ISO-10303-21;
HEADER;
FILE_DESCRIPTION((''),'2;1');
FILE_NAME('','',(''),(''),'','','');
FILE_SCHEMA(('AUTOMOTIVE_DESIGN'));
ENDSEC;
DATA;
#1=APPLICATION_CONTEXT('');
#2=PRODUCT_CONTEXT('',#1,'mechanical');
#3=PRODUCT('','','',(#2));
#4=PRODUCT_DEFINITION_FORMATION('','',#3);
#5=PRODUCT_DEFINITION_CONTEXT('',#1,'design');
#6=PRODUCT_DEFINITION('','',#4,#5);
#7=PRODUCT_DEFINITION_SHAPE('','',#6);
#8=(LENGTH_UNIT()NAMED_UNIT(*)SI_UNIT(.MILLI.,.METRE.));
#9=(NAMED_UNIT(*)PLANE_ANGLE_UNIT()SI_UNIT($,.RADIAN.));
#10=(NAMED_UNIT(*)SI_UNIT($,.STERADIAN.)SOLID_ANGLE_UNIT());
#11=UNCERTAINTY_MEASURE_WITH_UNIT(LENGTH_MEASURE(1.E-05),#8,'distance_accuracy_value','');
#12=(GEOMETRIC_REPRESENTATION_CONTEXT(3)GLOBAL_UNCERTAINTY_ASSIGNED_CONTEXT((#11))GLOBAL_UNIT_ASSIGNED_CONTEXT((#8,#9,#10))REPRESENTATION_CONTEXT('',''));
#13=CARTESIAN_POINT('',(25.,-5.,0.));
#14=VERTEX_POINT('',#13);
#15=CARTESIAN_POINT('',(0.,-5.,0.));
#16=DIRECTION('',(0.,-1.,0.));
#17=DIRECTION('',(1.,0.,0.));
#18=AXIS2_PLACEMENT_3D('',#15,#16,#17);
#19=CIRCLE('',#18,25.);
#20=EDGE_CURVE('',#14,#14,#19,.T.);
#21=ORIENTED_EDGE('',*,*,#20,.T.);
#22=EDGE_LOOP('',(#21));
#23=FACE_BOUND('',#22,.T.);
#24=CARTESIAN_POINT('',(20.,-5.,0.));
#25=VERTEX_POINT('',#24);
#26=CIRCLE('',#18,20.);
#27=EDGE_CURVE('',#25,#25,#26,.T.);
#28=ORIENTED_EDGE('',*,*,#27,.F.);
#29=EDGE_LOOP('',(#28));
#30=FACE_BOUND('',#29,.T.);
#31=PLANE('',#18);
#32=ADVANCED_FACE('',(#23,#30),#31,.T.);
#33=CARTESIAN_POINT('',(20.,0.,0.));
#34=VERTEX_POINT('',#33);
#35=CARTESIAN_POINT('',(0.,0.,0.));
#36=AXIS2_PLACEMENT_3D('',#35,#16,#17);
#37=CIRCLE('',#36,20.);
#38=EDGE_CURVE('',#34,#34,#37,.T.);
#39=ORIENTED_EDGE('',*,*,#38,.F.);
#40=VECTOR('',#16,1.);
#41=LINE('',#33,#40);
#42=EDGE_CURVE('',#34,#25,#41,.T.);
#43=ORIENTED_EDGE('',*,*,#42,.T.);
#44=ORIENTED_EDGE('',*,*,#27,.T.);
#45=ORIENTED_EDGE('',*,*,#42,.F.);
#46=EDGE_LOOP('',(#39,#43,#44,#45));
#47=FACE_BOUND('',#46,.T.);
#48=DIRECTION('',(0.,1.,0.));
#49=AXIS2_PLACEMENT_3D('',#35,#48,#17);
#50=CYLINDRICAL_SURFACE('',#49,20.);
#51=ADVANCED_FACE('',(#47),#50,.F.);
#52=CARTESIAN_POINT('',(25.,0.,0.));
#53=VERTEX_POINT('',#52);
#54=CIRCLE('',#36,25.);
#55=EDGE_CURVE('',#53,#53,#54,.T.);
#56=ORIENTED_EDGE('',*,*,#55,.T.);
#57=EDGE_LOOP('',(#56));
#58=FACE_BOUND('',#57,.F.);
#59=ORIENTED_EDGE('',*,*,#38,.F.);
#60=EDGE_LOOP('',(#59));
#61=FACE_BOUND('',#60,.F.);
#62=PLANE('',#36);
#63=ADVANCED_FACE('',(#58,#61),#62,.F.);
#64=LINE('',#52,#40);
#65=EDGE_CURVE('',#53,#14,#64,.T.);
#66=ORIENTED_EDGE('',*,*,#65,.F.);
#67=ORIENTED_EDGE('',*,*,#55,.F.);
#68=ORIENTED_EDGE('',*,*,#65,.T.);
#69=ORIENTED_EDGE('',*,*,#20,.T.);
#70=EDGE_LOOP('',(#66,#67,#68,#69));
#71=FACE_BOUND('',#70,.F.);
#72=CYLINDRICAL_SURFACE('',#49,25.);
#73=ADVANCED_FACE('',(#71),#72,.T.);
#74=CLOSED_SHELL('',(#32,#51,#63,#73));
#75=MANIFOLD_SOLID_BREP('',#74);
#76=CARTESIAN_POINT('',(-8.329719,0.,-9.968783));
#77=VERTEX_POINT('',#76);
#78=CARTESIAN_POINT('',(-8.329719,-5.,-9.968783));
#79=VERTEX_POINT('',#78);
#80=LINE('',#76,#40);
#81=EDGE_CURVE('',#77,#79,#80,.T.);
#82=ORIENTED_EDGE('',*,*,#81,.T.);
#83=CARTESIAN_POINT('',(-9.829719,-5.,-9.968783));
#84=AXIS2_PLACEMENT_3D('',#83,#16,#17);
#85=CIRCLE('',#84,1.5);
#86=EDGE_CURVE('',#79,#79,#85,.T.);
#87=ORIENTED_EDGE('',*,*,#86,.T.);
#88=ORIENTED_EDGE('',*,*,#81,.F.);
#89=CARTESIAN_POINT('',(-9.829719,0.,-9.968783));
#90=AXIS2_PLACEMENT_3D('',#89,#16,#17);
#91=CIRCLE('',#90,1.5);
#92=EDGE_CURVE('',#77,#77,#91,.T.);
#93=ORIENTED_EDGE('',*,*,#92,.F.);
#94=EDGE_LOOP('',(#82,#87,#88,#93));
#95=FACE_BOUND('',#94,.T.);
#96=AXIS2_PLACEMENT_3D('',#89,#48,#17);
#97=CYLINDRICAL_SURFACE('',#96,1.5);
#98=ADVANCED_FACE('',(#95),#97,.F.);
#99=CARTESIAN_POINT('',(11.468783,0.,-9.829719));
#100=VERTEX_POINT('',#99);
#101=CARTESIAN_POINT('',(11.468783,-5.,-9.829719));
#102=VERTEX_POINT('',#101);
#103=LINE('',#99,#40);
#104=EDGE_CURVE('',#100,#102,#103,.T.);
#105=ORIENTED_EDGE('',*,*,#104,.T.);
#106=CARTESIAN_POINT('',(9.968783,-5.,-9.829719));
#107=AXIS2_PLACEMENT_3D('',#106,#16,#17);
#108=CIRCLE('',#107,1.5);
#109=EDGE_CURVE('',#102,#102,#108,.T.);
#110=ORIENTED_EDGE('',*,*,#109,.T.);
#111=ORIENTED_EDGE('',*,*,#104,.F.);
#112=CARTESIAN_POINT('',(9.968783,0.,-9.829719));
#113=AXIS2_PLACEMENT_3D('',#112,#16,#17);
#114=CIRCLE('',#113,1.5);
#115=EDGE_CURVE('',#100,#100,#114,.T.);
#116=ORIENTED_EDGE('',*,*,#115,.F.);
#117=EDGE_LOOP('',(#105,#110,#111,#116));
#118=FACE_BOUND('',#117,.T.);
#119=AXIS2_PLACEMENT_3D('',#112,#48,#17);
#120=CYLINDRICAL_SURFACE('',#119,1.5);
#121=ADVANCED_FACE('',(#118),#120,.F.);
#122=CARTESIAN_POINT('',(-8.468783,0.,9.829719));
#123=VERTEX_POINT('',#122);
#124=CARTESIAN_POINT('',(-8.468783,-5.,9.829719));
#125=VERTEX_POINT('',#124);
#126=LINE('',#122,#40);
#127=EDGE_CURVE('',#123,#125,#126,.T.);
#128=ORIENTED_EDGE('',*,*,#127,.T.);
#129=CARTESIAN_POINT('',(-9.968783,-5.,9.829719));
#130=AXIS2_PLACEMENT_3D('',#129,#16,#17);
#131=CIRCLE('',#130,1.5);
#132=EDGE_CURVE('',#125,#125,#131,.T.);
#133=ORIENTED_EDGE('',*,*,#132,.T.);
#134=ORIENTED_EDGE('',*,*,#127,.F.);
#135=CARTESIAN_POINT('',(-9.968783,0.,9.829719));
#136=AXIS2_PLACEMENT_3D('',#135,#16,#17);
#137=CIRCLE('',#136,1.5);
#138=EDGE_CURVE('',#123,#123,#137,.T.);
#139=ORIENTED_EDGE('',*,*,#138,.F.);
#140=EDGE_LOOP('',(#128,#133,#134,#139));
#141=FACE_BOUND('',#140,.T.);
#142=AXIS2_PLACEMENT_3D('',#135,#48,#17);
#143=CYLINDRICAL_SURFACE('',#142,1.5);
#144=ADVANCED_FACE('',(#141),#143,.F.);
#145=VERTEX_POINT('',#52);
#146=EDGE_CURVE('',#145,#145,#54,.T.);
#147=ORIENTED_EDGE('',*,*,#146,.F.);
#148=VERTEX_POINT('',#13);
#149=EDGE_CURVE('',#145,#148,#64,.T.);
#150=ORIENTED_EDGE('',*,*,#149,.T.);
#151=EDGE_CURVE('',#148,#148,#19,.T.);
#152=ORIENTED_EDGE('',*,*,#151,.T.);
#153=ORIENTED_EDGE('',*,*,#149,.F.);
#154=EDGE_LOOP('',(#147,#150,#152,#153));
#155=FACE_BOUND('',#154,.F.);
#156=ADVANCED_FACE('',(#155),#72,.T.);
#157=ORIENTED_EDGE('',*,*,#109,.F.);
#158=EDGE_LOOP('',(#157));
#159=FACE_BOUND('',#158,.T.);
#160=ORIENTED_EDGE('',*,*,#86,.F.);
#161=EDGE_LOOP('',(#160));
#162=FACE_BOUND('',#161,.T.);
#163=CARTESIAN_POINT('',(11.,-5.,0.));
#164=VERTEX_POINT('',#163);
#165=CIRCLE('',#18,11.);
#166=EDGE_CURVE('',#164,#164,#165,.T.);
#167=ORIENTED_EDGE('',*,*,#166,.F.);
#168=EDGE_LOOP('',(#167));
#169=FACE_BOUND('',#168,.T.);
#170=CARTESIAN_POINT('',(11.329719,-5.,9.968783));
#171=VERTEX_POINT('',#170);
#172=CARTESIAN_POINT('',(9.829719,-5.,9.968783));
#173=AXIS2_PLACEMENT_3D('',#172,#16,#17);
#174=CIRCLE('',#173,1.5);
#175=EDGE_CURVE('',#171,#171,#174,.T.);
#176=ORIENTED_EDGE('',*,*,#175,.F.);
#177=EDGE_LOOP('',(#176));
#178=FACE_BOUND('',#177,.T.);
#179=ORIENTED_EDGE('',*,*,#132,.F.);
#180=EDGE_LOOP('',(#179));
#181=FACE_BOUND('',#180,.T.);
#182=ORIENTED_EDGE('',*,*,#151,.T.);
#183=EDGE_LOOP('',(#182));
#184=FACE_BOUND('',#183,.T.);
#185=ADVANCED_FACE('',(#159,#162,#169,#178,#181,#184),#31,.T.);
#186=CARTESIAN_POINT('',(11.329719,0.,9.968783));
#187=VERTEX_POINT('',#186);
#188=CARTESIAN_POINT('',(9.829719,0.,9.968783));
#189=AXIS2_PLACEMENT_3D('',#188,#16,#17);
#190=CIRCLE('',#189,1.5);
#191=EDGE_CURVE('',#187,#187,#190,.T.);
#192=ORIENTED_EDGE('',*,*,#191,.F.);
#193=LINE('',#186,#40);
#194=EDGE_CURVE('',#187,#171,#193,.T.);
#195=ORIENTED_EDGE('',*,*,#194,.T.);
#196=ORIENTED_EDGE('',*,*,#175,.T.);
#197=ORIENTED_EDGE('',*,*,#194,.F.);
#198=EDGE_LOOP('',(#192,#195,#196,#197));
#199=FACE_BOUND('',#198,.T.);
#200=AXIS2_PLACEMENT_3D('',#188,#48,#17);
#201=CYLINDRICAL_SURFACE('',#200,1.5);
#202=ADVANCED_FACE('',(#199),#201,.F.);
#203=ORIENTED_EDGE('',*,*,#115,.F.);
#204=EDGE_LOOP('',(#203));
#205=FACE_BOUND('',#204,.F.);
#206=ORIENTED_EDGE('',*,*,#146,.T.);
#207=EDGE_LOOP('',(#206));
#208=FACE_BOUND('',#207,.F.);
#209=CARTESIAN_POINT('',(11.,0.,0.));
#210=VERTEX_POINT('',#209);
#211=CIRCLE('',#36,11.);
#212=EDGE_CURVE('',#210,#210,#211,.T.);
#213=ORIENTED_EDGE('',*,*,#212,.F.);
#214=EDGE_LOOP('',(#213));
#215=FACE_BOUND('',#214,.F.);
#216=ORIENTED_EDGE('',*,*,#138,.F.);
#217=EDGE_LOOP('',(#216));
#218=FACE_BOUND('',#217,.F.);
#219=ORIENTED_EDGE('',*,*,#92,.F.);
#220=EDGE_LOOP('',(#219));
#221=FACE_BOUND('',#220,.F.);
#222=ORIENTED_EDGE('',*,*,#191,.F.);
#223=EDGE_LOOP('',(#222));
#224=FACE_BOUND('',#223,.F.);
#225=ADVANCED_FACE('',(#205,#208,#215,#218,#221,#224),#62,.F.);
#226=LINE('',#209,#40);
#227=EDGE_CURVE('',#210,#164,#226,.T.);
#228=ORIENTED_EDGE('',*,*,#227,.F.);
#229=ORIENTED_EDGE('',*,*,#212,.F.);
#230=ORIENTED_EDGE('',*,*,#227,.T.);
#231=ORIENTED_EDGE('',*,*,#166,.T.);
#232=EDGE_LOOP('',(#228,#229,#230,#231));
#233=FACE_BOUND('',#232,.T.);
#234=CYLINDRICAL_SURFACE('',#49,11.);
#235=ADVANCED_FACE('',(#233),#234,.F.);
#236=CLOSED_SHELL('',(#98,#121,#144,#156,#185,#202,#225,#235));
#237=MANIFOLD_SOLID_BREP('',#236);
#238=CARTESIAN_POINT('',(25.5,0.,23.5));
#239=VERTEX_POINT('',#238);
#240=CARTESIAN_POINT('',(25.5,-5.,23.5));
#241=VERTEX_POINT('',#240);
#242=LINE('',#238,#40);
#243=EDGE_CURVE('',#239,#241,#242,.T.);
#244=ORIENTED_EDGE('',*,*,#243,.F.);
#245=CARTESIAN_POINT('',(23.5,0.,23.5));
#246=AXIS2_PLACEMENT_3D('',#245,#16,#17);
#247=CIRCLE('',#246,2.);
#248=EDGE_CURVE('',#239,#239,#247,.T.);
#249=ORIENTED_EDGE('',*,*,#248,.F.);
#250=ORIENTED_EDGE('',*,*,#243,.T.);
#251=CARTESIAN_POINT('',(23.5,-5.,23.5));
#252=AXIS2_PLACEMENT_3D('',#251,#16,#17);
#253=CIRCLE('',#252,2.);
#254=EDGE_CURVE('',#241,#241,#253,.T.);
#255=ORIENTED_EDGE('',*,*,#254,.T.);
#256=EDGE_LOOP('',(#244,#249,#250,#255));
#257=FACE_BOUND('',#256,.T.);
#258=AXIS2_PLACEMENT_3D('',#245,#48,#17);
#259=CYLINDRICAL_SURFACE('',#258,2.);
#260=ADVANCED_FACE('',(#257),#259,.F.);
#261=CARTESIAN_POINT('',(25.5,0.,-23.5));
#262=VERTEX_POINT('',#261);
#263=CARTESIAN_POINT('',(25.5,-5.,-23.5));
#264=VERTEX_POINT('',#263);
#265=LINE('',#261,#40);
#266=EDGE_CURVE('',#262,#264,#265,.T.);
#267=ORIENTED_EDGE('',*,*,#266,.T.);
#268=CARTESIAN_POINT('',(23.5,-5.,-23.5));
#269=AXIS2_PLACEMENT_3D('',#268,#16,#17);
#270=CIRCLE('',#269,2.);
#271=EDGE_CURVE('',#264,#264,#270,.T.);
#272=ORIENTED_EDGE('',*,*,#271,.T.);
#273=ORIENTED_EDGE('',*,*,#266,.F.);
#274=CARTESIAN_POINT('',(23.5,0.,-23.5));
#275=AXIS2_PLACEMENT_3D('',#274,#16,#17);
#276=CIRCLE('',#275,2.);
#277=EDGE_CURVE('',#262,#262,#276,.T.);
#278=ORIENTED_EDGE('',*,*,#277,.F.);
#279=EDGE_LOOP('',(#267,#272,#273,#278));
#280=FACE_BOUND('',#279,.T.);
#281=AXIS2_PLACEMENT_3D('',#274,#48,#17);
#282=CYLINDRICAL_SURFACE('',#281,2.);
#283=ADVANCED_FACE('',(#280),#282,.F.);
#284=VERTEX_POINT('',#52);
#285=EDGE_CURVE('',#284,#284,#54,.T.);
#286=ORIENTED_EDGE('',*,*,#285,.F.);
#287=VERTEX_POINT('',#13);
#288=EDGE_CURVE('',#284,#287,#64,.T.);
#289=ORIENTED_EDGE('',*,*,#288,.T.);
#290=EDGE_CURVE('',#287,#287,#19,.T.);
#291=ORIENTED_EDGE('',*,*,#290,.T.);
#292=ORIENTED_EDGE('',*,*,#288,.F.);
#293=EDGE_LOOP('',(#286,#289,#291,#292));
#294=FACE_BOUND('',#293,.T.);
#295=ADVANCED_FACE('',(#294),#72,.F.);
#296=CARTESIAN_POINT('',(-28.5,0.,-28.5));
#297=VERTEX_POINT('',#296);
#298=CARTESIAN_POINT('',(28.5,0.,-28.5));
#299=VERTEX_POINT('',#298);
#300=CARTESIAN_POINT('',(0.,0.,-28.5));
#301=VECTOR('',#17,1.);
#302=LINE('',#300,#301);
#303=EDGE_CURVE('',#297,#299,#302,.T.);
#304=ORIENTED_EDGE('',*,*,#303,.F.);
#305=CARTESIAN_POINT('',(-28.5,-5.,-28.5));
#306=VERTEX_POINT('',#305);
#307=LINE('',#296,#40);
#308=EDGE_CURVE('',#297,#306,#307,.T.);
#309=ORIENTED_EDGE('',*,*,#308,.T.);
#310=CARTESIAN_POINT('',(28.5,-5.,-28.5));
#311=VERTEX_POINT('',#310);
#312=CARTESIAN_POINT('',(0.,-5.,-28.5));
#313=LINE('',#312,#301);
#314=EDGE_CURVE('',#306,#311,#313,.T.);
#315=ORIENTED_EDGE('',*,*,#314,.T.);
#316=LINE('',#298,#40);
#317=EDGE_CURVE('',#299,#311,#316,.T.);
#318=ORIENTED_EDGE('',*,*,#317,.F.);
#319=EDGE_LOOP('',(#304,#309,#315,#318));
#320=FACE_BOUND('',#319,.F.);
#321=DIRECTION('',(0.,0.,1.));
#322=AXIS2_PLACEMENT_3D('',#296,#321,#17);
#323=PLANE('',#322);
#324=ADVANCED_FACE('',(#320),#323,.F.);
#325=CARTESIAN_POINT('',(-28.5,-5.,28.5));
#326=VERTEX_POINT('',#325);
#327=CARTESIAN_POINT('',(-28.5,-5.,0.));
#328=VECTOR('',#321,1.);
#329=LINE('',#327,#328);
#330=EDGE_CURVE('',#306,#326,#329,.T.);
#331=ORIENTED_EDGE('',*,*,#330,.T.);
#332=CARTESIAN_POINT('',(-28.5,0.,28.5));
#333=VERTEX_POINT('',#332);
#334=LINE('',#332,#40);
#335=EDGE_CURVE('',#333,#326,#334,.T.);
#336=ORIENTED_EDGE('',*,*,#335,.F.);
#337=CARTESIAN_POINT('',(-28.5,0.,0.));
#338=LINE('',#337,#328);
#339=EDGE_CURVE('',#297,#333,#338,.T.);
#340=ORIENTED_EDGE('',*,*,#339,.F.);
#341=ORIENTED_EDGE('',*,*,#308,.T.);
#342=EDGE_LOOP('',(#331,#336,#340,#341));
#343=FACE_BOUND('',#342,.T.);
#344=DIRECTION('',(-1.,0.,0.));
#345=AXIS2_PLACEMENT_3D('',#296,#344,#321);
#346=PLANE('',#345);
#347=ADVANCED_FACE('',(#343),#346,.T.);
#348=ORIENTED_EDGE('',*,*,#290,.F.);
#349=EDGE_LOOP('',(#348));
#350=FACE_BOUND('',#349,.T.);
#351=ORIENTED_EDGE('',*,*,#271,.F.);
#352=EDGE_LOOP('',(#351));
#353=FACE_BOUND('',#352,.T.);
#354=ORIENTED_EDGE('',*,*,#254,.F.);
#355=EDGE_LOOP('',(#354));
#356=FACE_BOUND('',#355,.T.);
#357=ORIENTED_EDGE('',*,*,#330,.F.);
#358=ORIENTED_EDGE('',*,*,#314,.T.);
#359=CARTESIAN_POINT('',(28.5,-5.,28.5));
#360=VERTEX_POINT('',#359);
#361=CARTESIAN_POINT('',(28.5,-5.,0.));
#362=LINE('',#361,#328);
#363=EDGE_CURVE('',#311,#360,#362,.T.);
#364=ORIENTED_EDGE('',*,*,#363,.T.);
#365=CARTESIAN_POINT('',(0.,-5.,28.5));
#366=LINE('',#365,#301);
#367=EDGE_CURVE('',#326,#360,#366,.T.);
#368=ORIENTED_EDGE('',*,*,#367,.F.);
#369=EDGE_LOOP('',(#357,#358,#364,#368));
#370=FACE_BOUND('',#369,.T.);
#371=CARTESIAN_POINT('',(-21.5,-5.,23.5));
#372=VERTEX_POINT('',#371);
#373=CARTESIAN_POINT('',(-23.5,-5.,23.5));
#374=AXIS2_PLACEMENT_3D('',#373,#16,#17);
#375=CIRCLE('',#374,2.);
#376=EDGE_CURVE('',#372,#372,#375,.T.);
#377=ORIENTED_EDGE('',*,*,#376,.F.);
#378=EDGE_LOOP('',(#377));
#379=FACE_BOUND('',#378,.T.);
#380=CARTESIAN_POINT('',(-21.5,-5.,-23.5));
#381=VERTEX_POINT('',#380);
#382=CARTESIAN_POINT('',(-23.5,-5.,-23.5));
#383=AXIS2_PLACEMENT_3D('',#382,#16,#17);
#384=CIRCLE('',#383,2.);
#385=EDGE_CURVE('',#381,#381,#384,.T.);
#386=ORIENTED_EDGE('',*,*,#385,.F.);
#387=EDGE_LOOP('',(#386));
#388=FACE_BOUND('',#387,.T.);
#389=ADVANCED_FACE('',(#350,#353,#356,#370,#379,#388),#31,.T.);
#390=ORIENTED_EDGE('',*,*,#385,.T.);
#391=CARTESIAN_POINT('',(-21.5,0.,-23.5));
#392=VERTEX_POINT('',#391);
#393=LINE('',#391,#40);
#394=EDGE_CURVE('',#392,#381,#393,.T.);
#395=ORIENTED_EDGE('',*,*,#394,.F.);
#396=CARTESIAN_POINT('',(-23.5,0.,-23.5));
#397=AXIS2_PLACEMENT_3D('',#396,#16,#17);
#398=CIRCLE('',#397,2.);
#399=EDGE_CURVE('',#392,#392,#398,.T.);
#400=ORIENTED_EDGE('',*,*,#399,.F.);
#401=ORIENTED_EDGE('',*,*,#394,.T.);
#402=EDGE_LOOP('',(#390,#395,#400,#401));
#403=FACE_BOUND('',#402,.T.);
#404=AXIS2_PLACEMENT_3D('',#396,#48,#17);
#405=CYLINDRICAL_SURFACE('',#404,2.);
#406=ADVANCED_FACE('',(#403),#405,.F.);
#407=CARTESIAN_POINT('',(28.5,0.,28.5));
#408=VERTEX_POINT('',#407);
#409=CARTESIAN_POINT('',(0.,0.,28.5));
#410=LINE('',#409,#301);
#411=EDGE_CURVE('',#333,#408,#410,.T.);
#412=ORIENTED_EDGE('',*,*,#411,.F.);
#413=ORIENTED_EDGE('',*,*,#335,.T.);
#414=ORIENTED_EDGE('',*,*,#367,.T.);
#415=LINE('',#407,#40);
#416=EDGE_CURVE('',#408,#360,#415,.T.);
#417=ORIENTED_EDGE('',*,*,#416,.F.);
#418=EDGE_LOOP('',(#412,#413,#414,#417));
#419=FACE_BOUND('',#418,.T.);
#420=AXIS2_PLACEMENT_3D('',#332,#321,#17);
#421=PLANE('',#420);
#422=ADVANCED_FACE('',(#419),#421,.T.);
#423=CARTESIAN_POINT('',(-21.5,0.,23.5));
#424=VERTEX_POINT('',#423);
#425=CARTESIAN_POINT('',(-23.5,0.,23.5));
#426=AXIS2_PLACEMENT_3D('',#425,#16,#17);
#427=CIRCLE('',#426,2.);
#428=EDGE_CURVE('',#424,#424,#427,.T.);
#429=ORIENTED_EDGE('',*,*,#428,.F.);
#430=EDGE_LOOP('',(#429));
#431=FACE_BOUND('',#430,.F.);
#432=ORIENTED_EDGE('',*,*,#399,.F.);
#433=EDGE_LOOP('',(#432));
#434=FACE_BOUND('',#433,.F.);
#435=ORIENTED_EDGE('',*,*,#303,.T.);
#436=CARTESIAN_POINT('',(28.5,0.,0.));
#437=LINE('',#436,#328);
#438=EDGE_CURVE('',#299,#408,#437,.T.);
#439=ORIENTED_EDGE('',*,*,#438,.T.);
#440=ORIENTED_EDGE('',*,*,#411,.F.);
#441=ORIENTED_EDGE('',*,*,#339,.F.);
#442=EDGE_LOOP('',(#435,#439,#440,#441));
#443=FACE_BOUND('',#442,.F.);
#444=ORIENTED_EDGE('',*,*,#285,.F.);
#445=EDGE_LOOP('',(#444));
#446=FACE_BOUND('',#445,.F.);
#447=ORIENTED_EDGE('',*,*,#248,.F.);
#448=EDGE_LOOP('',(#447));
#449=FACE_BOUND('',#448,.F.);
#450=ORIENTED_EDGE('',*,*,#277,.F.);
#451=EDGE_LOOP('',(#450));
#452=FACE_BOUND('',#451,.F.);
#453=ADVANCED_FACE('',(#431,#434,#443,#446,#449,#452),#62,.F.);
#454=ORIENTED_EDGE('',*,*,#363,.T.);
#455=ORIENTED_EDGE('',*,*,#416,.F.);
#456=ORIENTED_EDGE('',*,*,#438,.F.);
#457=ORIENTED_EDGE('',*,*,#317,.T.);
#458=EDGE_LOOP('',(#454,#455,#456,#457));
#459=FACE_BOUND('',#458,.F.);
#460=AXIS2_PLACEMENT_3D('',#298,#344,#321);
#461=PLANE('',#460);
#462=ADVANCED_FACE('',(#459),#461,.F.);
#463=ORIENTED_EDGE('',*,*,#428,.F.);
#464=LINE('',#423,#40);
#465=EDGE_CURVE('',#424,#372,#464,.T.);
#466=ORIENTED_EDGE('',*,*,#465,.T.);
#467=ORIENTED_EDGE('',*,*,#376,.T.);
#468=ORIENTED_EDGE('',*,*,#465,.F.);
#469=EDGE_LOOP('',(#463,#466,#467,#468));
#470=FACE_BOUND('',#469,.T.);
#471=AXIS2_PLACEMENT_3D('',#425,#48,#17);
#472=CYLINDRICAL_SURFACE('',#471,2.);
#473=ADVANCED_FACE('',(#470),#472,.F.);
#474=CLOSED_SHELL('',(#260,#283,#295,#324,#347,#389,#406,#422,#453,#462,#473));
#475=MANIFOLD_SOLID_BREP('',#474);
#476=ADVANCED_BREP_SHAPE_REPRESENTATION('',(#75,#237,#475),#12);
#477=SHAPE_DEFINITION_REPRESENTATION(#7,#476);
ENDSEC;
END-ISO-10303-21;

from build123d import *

# Parameters (mm, degrees)
F0_W     = 57
F0_H     = 57
F0_R     = 2
F0_R_2   = 25
F1_DEPTH = 5
F0_R_3   = 20
F2_DEPTH = 5
F0_R_4   = 1.5
F0_R_5   = 11
F3_DEPTH = 5


with BuildPart() as f1:
    # F0 (on Front) → F1 (new body)
    with BuildSketch(Plane.XZ):
        Rectangle(F0_W, F0_H)
        with Locations((-23.5, -23.5)):
            Circle(F0_R, mode=Mode.SUBTRACT)
        with Locations((23.5, -23.5)):
            Circle(F0_R, mode=Mode.SUBTRACT)
        with Locations((-23.5, 23.5)):
            Circle(F0_R, mode=Mode.SUBTRACT)
        Circle(F0_R_2, mode=Mode.SUBTRACT)
        with Locations((23.5, 23.5)):
            Circle(F0_R, mode=Mode.SUBTRACT)
    extrude(amount=F1_DEPTH)


with BuildPart() as f2:
    # F0 (on Front) → F2 (new body)
    with BuildSketch(Plane.XZ):
        Circle(F0_R_2)
        Circle(F0_R_3, mode=Mode.SUBTRACT)
    extrude(amount=F2_DEPTH)


with BuildPart() as f3:
    # F0 (on Front) → F3 (new body)
    with BuildSketch(Plane.XZ):
        Circle(F0_R_2)
        Circle(F0_R_3, mode=Mode.SUBTRACT)
        Circle(F0_R_3)
        with Locations((-9.8297189121, -9.9687825791)):
            Circle(F0_R_4, mode=Mode.SUBTRACT)
        with Locations((9.9687825791, -9.8297189121)):
            Circle(F0_R_4, mode=Mode.SUBTRACT)
        with Locations((-9.9687825791, 9.8297189121)):
            Circle(F0_R_4, mode=Mode.SUBTRACT)
        Circle(F0_R_5, mode=Mode.SUBTRACT)
        with Locations((9.8297189121, 9.9687825791)):
            Circle(F0_R_4, mode=Mode.SUBTRACT)
    extrude(amount=F3_DEPTH)


solid = Compound([f1.part, f2.part, f3.part])
